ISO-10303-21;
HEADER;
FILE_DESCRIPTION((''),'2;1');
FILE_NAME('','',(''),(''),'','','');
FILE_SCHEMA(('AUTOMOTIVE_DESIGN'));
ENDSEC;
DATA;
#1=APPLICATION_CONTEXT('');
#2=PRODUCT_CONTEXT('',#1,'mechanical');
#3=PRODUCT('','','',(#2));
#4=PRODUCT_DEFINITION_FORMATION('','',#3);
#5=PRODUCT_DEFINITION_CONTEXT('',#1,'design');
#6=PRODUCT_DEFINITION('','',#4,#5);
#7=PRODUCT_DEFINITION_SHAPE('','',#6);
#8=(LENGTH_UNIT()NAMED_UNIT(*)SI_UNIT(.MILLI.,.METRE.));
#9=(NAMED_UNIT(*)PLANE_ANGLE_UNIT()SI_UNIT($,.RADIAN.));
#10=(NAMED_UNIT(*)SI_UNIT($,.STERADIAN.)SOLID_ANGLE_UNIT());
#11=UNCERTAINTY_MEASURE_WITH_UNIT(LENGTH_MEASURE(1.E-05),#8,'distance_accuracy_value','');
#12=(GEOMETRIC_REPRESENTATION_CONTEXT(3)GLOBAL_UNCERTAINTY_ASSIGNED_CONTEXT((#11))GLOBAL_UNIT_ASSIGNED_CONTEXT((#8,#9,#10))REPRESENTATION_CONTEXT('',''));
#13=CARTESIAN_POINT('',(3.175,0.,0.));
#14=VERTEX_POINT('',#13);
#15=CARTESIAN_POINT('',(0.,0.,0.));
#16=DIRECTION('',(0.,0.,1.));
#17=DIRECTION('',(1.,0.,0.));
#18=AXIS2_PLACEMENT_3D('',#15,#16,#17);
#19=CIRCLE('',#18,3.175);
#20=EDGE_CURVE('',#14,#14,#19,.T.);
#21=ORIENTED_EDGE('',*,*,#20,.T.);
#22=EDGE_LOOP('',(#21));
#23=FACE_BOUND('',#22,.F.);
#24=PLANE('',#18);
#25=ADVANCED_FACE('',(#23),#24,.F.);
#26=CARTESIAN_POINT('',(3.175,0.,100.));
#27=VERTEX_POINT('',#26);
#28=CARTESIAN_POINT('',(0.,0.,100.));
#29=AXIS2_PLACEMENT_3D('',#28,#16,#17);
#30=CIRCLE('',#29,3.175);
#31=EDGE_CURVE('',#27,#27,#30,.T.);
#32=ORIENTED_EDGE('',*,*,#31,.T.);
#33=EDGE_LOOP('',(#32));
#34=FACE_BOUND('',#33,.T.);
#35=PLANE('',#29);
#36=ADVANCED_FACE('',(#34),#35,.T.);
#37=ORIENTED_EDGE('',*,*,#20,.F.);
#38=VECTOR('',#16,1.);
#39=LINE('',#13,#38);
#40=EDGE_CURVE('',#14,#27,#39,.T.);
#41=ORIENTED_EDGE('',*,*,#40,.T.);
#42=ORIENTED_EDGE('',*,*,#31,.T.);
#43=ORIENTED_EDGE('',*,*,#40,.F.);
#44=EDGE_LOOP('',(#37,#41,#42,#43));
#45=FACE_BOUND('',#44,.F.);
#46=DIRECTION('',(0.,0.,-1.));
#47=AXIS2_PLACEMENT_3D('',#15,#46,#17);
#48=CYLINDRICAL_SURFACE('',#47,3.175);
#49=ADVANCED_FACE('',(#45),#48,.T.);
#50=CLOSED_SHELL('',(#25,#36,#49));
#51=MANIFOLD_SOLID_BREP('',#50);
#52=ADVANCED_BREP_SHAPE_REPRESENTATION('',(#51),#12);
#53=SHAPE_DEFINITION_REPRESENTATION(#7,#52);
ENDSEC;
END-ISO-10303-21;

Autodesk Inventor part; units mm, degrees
ref_plane "YZ Plane" through (0, 0, 0) normal (1, 0, 0) x (0, 1, 0)
ref_plane "XZ Plane" through (0, 0, 0) normal (0, 1, 0) x (-1, 0, 0)
ref_plane "XY Plane" through (0, 0, 0) normal (0, 0, 1) x (1, 0, 0)
sketch "Sketch1" plane through (0, 0, 0) normal (0, 0, 1) x (1, 0, 0)
  circle A0 centre (0, 0) radius 3.175
  dimension "d0" = 6.35
extrude "Extrusion1" add sketch "Sketch1" along normal blind 100
properties part number "Axle" material "Stainless Steel"
